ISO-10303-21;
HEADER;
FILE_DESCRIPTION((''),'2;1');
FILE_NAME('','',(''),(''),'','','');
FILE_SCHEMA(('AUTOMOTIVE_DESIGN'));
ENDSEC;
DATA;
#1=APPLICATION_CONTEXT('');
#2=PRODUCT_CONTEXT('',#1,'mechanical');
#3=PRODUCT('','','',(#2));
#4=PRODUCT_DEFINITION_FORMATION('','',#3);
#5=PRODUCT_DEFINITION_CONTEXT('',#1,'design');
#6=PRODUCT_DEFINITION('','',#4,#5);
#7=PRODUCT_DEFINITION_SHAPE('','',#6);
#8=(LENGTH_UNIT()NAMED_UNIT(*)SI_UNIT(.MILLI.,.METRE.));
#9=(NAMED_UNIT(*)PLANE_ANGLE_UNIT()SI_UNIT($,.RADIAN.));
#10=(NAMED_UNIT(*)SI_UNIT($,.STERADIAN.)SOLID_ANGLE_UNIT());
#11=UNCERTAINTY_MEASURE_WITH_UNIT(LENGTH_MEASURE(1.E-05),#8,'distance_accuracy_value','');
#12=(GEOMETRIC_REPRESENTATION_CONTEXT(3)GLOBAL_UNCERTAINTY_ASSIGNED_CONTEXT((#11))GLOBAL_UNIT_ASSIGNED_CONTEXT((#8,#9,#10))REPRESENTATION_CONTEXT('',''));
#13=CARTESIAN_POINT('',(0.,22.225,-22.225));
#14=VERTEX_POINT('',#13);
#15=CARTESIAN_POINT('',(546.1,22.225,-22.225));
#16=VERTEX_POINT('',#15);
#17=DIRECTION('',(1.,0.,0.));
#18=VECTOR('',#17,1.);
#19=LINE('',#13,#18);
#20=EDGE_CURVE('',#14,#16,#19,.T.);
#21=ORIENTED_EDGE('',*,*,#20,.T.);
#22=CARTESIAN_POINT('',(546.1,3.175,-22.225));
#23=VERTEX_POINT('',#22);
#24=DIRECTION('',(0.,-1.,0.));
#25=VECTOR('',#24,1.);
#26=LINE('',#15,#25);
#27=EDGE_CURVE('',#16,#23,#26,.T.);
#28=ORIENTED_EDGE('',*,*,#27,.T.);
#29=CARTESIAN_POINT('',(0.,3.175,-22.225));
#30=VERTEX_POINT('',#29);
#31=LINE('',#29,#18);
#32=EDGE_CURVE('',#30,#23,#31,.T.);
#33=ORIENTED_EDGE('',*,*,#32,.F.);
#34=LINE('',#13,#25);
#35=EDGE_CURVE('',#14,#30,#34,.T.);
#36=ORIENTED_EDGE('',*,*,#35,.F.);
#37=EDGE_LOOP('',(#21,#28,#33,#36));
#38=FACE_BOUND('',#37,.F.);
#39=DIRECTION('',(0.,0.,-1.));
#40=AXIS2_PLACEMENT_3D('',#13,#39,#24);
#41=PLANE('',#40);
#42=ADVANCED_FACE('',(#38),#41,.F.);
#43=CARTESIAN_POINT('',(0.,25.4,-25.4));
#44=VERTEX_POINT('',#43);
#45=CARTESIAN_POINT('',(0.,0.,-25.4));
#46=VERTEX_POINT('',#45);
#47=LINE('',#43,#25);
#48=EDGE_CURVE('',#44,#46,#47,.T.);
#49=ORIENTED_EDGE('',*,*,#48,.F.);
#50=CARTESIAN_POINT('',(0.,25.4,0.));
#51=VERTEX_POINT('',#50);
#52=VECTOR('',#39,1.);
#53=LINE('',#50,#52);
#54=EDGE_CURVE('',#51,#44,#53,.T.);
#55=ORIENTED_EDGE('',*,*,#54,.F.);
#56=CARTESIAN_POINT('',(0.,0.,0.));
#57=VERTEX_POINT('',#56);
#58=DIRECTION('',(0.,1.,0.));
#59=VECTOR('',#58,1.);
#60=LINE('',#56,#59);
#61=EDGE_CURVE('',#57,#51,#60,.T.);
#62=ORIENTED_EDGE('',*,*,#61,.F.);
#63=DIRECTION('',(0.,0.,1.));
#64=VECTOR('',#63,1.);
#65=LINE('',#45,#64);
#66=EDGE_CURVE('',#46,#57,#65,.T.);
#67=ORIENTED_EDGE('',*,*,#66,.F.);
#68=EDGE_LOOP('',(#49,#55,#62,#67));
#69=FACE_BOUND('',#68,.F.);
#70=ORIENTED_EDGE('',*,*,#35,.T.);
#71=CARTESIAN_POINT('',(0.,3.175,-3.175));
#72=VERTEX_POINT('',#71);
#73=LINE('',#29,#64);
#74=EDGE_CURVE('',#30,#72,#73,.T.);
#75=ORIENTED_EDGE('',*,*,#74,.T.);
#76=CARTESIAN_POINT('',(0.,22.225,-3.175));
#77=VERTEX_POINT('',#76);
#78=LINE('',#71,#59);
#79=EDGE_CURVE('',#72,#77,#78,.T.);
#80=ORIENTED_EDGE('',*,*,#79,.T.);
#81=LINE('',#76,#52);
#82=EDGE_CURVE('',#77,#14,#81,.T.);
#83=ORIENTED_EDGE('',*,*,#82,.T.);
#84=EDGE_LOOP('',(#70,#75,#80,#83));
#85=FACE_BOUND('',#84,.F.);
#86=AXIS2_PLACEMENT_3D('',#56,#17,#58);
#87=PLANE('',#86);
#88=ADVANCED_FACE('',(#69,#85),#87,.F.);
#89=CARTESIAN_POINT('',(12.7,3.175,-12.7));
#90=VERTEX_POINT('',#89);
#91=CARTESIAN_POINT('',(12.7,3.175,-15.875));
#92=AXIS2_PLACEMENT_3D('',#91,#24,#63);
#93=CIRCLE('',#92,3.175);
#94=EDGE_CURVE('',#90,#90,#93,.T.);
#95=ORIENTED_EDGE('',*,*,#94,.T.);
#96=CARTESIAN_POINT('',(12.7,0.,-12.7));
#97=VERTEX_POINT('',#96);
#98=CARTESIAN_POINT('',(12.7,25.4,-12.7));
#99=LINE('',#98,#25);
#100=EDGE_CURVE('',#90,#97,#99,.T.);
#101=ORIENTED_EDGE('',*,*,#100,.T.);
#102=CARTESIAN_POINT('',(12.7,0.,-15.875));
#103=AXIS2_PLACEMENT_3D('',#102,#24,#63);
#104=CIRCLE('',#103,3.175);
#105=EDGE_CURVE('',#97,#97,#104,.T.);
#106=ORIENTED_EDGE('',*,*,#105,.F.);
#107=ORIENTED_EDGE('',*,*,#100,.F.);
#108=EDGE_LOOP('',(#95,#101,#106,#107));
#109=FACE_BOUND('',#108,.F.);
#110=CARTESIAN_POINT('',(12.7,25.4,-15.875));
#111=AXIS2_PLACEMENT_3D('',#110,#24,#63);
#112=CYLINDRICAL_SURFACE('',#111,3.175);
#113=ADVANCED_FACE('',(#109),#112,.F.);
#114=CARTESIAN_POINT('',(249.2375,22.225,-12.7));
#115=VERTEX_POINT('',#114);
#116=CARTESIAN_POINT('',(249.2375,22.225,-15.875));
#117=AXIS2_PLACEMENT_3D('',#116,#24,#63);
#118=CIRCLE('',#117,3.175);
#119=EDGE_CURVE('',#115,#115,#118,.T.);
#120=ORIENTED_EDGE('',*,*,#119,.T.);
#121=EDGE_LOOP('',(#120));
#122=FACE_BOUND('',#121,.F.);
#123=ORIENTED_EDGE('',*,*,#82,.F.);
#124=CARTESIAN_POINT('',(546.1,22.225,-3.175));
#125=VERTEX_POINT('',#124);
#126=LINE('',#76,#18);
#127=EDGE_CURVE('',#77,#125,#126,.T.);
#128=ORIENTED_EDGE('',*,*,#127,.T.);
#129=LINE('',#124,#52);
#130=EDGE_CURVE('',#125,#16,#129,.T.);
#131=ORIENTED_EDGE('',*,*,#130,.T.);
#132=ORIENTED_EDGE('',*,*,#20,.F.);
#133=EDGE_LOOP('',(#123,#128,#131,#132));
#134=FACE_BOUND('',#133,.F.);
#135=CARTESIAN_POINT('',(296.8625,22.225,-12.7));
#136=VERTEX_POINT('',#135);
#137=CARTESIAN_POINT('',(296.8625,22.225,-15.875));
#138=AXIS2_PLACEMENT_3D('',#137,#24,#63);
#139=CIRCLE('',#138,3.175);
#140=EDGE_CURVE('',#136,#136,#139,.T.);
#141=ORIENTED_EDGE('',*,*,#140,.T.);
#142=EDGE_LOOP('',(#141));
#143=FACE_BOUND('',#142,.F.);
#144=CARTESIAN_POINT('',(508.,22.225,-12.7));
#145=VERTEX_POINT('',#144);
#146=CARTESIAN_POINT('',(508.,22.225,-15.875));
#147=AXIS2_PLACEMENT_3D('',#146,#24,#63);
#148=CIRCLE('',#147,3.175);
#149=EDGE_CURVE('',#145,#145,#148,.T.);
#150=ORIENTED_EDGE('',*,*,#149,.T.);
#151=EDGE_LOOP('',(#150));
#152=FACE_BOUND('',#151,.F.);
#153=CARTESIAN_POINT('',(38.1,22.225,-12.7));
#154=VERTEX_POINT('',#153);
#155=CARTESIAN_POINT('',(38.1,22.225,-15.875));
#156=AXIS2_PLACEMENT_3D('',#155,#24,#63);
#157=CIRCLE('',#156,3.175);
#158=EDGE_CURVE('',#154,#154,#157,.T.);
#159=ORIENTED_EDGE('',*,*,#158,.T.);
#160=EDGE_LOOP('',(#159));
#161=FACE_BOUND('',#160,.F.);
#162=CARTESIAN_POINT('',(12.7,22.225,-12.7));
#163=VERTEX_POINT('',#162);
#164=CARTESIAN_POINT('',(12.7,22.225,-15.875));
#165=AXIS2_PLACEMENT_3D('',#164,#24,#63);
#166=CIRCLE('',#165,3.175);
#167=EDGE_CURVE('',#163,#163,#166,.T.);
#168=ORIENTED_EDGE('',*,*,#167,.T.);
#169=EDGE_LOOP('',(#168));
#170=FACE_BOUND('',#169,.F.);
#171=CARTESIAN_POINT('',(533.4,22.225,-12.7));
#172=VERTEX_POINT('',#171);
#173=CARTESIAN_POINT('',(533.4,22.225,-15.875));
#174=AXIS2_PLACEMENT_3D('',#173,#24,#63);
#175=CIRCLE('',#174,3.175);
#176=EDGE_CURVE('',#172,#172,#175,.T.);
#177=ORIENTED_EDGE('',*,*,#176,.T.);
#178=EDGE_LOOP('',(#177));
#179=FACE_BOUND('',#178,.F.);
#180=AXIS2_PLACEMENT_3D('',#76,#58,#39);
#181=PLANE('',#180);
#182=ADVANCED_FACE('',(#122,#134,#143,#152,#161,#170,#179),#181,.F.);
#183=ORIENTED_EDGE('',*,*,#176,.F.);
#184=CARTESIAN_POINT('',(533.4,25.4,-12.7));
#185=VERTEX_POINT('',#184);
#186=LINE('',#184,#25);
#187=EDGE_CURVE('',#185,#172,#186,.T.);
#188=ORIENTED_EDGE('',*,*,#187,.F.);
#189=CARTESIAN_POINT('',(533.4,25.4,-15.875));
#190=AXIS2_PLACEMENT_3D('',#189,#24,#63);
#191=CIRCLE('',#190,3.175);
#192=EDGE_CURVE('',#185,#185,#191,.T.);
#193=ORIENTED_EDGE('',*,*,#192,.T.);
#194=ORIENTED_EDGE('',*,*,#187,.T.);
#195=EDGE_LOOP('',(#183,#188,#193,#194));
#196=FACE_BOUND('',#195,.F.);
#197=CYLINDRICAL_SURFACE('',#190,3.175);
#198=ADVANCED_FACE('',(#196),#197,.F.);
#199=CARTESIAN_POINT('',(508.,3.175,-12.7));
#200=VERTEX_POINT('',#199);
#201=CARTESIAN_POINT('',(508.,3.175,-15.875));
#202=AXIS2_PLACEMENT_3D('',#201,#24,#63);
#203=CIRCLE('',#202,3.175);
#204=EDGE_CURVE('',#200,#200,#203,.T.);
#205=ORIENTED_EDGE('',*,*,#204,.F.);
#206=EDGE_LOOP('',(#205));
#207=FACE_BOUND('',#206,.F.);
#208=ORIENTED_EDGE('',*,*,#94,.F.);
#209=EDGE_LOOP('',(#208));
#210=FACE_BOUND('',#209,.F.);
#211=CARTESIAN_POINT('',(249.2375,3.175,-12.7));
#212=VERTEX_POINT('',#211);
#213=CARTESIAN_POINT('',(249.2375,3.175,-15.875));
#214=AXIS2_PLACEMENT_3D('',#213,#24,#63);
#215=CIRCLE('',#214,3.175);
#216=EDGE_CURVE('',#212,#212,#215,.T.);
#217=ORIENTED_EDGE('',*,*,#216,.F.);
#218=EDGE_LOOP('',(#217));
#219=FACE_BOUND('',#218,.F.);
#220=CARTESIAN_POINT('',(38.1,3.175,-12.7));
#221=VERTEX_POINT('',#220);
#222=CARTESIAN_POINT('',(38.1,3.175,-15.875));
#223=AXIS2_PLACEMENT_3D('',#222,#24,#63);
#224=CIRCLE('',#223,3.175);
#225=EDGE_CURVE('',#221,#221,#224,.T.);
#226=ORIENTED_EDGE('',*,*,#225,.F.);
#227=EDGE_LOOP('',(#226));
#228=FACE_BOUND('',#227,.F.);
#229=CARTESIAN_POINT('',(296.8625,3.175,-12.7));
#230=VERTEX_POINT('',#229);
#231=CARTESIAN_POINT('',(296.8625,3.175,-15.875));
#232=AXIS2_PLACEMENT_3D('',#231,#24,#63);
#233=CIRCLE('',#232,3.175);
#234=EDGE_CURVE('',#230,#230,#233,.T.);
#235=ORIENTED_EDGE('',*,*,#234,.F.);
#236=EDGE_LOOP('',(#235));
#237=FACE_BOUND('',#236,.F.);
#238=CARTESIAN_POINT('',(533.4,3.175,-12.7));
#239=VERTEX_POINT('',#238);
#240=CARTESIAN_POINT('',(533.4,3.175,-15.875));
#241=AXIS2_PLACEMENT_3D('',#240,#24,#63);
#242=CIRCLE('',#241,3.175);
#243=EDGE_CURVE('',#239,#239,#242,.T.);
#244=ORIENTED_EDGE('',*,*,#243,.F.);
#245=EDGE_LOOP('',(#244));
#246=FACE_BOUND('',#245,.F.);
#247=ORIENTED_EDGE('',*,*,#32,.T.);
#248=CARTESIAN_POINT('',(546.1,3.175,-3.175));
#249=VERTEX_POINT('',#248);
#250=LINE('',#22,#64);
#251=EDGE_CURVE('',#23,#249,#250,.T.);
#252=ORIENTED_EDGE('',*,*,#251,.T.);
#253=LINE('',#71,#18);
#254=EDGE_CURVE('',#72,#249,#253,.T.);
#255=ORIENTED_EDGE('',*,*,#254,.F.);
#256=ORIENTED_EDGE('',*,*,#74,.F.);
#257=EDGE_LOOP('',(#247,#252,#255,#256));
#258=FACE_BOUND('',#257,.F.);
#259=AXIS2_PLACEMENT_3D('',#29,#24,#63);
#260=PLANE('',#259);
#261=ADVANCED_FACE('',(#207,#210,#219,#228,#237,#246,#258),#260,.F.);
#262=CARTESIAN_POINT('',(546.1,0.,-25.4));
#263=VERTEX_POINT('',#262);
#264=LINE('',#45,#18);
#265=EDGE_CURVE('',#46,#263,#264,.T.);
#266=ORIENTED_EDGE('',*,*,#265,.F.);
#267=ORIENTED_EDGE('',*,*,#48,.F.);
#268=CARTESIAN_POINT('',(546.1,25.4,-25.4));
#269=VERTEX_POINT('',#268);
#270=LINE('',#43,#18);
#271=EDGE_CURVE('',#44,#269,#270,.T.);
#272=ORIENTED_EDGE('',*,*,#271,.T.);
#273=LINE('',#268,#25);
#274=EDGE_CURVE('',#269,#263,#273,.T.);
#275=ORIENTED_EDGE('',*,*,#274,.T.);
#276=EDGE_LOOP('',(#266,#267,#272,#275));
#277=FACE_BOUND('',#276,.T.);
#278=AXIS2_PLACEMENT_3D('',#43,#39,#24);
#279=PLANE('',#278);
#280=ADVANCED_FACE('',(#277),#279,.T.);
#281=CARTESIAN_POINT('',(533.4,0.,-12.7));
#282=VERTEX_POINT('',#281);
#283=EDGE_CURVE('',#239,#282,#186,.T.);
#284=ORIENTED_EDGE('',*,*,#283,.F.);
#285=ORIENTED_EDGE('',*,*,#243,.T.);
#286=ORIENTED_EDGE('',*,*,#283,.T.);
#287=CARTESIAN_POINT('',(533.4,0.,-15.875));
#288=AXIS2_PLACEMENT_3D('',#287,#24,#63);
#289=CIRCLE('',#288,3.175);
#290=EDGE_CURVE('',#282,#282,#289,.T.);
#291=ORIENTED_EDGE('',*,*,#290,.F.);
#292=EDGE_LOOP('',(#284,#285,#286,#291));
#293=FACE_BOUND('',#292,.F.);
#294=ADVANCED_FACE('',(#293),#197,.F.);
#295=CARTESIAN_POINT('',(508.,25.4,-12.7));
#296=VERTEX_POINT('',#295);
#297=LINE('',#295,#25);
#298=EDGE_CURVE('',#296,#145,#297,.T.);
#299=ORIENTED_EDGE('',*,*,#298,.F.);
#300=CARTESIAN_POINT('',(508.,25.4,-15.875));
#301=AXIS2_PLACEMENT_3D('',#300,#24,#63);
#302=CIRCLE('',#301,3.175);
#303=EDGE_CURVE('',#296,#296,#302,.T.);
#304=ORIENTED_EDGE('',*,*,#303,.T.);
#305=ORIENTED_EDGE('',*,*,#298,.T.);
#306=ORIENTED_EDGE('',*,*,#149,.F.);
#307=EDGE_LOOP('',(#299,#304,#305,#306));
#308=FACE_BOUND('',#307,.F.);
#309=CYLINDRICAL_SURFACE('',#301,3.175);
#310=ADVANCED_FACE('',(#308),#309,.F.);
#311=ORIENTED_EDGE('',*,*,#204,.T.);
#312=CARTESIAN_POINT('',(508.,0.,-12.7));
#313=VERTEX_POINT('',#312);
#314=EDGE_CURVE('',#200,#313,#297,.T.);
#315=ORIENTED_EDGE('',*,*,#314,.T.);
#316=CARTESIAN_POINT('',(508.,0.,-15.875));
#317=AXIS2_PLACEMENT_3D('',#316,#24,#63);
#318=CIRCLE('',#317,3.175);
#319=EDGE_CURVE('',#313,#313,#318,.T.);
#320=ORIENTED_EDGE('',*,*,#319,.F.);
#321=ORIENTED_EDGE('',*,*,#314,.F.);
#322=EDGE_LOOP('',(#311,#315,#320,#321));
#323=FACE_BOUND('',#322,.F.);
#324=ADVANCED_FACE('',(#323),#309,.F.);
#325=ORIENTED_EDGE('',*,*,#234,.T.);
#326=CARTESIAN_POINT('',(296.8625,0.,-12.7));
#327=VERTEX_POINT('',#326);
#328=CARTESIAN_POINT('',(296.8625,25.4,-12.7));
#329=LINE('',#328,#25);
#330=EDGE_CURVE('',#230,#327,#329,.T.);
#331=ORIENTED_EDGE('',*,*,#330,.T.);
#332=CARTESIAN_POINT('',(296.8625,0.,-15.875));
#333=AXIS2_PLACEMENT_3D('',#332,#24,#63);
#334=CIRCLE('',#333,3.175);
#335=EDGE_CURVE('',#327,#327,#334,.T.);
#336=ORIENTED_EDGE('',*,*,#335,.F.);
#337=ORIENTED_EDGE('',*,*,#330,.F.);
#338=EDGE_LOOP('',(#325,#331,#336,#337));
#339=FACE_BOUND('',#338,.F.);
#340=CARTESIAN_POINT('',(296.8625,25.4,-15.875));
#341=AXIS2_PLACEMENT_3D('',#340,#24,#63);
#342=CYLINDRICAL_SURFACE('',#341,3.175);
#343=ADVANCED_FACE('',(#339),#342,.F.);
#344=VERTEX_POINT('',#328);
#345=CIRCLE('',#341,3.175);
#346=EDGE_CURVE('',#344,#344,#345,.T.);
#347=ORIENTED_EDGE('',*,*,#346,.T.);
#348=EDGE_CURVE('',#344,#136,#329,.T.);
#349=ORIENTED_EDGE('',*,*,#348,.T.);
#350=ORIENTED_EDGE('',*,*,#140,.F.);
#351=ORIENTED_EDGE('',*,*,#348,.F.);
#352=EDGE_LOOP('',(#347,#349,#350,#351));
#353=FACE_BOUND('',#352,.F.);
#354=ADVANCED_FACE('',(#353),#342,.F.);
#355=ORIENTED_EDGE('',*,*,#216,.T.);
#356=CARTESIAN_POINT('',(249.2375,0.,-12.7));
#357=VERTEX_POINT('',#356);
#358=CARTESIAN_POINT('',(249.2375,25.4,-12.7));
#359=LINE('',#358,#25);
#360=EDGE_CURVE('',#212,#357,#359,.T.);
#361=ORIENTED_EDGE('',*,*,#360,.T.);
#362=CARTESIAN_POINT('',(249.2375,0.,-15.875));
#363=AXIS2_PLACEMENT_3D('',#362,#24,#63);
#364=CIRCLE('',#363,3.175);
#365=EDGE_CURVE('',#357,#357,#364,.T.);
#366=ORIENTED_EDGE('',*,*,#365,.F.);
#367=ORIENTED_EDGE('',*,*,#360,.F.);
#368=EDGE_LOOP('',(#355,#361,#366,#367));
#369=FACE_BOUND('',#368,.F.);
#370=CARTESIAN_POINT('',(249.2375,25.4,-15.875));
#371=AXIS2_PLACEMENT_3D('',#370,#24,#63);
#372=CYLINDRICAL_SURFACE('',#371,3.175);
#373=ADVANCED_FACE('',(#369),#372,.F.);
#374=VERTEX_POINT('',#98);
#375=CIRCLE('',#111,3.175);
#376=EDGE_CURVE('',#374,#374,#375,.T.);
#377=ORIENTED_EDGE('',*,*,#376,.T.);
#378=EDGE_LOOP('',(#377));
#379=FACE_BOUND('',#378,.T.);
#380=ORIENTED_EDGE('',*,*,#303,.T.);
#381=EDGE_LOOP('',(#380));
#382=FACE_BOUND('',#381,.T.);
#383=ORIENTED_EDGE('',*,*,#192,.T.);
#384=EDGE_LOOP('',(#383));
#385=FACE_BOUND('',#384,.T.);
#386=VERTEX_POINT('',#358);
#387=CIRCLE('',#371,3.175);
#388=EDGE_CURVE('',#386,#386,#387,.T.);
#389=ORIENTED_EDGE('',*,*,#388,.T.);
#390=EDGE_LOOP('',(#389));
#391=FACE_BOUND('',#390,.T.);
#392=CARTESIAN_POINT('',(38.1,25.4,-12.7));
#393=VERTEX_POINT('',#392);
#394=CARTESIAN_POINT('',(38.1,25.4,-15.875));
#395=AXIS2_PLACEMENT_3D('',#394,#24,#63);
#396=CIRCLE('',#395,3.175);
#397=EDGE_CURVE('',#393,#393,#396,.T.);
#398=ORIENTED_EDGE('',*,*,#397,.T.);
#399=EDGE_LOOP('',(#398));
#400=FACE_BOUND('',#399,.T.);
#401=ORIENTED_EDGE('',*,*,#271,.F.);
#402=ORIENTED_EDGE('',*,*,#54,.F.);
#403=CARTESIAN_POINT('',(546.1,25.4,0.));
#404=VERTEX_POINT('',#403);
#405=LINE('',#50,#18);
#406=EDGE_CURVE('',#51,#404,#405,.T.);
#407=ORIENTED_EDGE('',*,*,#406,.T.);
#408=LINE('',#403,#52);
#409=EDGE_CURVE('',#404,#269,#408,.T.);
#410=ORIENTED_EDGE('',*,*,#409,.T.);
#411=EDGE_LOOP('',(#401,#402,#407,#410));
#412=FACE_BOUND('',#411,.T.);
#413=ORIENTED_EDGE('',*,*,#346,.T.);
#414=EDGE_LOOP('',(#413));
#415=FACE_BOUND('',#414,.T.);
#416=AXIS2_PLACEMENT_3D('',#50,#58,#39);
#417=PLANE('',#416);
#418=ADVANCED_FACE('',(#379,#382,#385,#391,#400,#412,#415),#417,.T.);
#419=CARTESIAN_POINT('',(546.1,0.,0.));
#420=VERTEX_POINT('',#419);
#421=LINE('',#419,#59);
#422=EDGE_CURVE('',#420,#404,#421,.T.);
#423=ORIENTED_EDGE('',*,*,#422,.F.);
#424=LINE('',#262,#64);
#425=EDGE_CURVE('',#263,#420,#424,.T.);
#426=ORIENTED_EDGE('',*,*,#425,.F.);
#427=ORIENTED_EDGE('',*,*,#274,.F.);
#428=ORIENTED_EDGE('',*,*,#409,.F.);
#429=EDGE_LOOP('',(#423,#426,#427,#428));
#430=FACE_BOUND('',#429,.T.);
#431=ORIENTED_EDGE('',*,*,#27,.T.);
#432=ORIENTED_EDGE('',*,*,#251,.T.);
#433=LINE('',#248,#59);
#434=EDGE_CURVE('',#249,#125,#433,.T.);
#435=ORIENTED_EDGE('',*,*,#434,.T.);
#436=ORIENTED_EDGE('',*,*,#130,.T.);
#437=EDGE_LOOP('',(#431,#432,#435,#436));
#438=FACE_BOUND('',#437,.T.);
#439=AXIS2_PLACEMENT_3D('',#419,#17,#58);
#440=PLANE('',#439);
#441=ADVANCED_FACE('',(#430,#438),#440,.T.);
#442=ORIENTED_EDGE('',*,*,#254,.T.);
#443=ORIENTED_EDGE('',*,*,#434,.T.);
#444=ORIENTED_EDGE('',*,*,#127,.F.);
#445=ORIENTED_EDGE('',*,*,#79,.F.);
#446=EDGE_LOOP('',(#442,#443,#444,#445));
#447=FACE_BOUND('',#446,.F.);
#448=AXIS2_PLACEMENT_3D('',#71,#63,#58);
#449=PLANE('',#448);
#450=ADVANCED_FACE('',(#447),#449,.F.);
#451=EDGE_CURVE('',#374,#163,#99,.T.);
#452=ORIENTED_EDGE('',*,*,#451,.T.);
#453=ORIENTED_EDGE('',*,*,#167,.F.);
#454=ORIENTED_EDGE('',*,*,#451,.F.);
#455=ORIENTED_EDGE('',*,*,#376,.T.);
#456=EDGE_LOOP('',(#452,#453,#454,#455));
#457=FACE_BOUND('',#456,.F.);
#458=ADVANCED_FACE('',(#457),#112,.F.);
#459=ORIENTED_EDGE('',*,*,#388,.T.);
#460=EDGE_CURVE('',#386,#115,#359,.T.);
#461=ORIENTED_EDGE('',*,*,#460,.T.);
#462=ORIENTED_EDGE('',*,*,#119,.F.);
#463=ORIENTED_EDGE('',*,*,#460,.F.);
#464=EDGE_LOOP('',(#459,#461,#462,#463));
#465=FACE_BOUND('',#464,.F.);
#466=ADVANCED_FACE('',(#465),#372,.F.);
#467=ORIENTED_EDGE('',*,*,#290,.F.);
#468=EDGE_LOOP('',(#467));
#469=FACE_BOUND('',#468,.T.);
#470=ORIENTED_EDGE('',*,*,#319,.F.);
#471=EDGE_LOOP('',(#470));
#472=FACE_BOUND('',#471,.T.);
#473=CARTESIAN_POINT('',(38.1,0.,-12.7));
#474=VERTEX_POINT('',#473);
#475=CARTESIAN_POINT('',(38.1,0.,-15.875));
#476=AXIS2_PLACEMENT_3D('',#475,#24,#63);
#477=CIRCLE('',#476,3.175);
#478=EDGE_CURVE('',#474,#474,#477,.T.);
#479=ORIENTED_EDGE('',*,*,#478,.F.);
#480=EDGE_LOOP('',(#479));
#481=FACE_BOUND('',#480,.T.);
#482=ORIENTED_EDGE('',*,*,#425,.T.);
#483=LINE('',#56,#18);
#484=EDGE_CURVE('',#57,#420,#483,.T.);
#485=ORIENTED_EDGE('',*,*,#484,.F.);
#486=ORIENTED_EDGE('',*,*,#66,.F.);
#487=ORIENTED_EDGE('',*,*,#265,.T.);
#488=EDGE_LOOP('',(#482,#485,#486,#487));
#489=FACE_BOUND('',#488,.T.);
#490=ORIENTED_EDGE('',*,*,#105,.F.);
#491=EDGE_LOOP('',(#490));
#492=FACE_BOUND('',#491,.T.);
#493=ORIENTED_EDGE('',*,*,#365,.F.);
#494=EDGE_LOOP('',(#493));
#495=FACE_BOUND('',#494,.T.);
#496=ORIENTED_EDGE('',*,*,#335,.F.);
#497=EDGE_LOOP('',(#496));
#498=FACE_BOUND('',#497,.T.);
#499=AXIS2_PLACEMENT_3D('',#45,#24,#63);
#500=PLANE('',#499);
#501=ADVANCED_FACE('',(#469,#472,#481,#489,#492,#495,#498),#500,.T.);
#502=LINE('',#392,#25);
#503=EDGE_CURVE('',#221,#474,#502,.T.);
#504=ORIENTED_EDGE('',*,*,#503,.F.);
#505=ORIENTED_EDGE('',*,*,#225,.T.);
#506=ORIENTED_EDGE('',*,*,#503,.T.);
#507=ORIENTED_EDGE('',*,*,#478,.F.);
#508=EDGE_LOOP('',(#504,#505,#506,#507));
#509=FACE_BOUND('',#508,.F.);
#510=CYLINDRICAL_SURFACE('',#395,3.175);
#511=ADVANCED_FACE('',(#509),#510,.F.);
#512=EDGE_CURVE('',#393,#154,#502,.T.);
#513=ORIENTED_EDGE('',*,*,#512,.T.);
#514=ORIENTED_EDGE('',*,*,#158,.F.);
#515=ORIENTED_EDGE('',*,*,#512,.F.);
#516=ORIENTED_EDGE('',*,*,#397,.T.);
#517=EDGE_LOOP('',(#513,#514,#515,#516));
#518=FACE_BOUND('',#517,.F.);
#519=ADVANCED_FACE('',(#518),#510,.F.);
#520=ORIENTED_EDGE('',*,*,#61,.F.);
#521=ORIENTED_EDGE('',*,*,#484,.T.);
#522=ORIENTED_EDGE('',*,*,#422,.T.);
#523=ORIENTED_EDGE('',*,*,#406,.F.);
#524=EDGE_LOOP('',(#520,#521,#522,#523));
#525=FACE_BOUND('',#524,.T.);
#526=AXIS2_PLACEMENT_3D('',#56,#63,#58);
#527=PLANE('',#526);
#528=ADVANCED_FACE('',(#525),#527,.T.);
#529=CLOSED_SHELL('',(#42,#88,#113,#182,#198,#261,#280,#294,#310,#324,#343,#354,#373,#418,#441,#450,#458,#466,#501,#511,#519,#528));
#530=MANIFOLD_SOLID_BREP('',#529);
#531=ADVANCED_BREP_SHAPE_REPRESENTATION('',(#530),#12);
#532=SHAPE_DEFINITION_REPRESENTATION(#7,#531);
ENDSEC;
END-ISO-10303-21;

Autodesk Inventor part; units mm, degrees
ref_plane "YZ Plane" through (0, 0, 0) normal (1, 0, 0) x (0, 1, 0)
ref_plane "XZ Plane" through (0, 0, 0) normal (0, 1, 0) x (-1, 0, 0)
ref_plane "XY Plane" through (0, 0, 0) normal (0, 0, 1) x (1, 0, 0)
sketch "Sketch1" plane through (0, 0, 0) normal (1, 0, 0) x (0, 1, 0)
  line L0 (0, 0) -> (25.4, 0)
  line L1 (25.4, 0) -> (25.4, -25.4)
  line L2 (25.4, -25.4) -> (0, -25.4)
  line L3 (0, -25.4) -> (0, 0)
  line L4 (3.175, -3.175) -> (22.225, -3.175)
  line L5 (22.225, -3.175) -> (22.225, -22.225)
  line L6 (22.225, -22.225) -> (3.175, -22.225)
  line L7 (3.175, -22.225) -> (3.175, -3.175)
  dimension "d0" = 25.4
  dimension "d1" = 25.4
  dimension "d2" = 19.05
  dimension "d3" = 19.05
  dimension "d4" = 3.175
  dimension "d5" = 3.175
extrude "Extrusion1" add sketch "Sketch1" along normal blind 546.1
sketch "Sketch2" plane through (0, 25.4, 0) normal (0, 1, 0) x (1, 0, 0)
  line L0 (0, 0) -> (0, 25.4) projected
  line L1 (0, 0) -> (546.1, 0) projected
  line L2 (546.1, 25.4) -> (546.1, 0) projected
  line L3 (0, 25.4) -> (546.1, 25.4) projected
  point P0 (12.7, 15.875)
  point P1 (533.4, 15.875)
  dimension "d8" = 15.875
  dimension "d9" = 12.7
  dimension "d10" = 12.7
  dimension "d11" = 15.875
hole "Hole1" at (12.7, 25.4, -15.875) at (533.4, 25.4, -15.875) direction (0, -1, 0) diameter 6.35 end through all
sketch "Sketch3" plane through (0, 25.4, 0) normal (0, 1, 0) x (1, 0, 0)
  circle A0 centre (12.7, 15.875) radius 3.175 projected
  circle A1 centre (533.4, 15.875) radius 3.175 projected
  line L0 (0, 0) -> (0, 25.4) projected
  line L1 (0, 0) -> (546.1, 0) projected
  line L2 (546.1, 25.4) -> (546.1, 0) projected
  line L3 (0, 25.4) -> (546.1, 25.4) projected
  point P0 (38.1, 15.875)
  point P1 (508, 15.875)
  point P2 (296.8625, 15.875)
  point P3 (249.2375, 15.875)
  dimension "d19" = 38.1
  dimension "d20" = 38.1
  dimension "d21" = 15.875
  dimension "d22" = 15.875
  dimension "d30" = 15.875
  dimension "d31" = 249.2375
  dimension "d39" = 249.2375
  dimension "d40" = 15.875
hole "Hole4" at (38.1, 25.4, -15.875) at (508, 25.4, -15.875) at (296.8625, 25.4, -15.875) at (249.2375, 25.4, -15.875) direction (0, -1, 0) diameter 6.35 end through all
properties part number "mounting block medium" material "Aluminum 6061"
